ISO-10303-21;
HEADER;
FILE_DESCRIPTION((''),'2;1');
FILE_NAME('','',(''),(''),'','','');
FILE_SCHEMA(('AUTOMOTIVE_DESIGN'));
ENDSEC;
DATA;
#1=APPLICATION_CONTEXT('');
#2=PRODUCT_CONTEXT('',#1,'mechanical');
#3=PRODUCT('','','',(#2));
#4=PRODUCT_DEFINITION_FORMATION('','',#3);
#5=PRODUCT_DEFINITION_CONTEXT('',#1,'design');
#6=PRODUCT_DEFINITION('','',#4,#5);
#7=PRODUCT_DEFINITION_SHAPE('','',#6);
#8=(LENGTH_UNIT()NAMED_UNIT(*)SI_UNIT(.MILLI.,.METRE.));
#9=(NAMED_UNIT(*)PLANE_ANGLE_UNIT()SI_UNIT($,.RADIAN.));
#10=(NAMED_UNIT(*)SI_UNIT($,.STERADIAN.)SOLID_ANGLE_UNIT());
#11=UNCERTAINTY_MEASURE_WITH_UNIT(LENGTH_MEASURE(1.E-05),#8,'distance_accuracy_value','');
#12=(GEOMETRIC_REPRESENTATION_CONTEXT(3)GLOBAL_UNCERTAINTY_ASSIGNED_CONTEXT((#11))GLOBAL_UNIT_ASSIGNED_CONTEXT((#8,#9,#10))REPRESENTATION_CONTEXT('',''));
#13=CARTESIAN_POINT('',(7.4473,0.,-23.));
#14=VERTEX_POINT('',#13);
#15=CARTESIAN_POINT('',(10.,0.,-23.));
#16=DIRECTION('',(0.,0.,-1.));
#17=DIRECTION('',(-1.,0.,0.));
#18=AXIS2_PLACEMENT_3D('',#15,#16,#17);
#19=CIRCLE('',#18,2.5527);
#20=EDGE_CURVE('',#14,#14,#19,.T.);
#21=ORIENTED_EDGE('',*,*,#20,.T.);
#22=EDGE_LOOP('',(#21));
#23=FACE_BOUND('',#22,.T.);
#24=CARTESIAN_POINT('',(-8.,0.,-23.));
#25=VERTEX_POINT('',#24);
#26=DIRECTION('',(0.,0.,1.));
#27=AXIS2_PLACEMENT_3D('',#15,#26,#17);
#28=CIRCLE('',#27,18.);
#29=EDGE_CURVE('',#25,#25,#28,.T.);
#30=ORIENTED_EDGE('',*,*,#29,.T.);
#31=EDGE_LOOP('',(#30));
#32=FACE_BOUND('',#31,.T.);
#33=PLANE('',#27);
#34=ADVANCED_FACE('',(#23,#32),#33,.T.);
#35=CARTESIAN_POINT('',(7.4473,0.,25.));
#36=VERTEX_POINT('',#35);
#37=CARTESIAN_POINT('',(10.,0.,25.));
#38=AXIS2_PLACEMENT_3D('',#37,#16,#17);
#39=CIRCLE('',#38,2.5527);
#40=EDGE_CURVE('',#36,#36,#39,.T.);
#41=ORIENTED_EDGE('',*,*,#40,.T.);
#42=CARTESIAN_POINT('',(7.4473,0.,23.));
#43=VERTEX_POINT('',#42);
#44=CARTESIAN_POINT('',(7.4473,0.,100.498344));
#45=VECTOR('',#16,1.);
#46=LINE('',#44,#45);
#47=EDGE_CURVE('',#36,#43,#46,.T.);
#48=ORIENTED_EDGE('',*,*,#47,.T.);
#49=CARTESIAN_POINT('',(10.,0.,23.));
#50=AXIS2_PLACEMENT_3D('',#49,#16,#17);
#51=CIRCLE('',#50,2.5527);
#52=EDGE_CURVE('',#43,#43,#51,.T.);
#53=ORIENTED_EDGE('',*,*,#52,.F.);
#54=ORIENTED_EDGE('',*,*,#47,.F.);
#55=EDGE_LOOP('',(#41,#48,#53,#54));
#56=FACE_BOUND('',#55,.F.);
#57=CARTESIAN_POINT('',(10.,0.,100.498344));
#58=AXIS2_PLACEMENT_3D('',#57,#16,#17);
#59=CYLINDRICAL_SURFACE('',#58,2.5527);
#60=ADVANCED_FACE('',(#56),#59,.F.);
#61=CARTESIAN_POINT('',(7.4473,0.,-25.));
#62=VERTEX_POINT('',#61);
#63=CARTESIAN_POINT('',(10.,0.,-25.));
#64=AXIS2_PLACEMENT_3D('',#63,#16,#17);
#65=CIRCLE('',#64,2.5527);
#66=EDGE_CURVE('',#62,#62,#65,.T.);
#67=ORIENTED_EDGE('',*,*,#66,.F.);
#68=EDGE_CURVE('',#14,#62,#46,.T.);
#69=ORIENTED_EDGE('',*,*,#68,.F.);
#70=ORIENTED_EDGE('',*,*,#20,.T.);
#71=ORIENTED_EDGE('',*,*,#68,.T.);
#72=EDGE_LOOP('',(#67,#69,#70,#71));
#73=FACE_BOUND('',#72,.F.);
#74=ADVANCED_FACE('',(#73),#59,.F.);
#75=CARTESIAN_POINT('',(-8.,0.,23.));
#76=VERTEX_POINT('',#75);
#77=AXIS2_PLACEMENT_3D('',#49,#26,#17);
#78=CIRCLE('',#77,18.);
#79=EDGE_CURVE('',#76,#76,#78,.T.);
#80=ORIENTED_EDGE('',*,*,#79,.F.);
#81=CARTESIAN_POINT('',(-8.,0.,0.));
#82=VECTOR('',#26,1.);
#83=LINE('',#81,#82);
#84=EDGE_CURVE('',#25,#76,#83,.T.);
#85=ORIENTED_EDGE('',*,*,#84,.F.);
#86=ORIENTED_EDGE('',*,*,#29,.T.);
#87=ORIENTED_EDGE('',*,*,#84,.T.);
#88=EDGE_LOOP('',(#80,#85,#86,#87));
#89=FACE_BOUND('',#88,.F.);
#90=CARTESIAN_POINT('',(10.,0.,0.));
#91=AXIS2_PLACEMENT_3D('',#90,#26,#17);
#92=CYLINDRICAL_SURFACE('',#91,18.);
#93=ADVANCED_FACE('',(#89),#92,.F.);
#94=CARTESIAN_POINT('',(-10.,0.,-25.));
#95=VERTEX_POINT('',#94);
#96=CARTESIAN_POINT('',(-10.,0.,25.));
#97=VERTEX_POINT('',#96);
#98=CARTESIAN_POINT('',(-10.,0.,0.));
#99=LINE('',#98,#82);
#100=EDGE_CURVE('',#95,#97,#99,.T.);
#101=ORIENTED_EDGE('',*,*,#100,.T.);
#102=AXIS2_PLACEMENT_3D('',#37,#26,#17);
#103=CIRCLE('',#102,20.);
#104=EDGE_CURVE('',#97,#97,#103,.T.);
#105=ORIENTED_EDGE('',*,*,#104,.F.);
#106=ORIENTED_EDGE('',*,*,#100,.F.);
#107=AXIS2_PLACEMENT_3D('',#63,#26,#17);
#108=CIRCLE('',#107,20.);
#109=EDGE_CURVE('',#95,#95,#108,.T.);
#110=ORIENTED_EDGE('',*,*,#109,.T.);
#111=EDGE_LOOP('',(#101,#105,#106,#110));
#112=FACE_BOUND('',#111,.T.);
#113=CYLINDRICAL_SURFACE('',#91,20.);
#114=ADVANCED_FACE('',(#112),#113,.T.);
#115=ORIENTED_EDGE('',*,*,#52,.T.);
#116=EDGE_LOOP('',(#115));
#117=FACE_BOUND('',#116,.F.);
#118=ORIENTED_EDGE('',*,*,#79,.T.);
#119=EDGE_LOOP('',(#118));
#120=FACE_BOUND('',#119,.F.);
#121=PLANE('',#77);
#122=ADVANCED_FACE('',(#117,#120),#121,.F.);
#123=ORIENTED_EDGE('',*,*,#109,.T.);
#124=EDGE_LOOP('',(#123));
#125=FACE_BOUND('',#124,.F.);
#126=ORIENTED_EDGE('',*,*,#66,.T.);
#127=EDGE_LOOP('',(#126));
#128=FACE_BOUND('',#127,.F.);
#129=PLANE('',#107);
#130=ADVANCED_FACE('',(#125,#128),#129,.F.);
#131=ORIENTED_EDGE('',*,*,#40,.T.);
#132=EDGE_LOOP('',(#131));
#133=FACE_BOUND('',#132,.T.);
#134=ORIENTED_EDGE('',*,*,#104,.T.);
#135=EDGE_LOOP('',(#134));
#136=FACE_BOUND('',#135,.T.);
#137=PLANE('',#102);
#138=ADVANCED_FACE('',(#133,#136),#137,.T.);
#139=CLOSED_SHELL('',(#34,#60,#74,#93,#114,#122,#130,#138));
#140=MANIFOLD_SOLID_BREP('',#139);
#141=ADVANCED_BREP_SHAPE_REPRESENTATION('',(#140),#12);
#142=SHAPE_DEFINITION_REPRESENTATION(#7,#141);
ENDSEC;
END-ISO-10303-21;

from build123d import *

# Parameters (mm, degrees)
F0_W = 20
F0_H = 50
F2_T = -2
F4_D = 5.1054


with BuildPart() as f1:
    # F0 (on Front) → F1 (revolve)
    with BuildSketch(Plane.XZ):
        Rectangle(F0_W, F0_H)
    revolve(axis=Axis((10, 0, 0), (0, 0, 1)))

    # F2 (hollow: no face is removed)
    offset(amount=F2_T, mode=Mode.SUBTRACT)

    # F4 (through all)
    with Locations(Plane.XY.offset(25)):
        with Locations((10, 0)):
            Hole(F4_D / 2)


solid = f1.part
